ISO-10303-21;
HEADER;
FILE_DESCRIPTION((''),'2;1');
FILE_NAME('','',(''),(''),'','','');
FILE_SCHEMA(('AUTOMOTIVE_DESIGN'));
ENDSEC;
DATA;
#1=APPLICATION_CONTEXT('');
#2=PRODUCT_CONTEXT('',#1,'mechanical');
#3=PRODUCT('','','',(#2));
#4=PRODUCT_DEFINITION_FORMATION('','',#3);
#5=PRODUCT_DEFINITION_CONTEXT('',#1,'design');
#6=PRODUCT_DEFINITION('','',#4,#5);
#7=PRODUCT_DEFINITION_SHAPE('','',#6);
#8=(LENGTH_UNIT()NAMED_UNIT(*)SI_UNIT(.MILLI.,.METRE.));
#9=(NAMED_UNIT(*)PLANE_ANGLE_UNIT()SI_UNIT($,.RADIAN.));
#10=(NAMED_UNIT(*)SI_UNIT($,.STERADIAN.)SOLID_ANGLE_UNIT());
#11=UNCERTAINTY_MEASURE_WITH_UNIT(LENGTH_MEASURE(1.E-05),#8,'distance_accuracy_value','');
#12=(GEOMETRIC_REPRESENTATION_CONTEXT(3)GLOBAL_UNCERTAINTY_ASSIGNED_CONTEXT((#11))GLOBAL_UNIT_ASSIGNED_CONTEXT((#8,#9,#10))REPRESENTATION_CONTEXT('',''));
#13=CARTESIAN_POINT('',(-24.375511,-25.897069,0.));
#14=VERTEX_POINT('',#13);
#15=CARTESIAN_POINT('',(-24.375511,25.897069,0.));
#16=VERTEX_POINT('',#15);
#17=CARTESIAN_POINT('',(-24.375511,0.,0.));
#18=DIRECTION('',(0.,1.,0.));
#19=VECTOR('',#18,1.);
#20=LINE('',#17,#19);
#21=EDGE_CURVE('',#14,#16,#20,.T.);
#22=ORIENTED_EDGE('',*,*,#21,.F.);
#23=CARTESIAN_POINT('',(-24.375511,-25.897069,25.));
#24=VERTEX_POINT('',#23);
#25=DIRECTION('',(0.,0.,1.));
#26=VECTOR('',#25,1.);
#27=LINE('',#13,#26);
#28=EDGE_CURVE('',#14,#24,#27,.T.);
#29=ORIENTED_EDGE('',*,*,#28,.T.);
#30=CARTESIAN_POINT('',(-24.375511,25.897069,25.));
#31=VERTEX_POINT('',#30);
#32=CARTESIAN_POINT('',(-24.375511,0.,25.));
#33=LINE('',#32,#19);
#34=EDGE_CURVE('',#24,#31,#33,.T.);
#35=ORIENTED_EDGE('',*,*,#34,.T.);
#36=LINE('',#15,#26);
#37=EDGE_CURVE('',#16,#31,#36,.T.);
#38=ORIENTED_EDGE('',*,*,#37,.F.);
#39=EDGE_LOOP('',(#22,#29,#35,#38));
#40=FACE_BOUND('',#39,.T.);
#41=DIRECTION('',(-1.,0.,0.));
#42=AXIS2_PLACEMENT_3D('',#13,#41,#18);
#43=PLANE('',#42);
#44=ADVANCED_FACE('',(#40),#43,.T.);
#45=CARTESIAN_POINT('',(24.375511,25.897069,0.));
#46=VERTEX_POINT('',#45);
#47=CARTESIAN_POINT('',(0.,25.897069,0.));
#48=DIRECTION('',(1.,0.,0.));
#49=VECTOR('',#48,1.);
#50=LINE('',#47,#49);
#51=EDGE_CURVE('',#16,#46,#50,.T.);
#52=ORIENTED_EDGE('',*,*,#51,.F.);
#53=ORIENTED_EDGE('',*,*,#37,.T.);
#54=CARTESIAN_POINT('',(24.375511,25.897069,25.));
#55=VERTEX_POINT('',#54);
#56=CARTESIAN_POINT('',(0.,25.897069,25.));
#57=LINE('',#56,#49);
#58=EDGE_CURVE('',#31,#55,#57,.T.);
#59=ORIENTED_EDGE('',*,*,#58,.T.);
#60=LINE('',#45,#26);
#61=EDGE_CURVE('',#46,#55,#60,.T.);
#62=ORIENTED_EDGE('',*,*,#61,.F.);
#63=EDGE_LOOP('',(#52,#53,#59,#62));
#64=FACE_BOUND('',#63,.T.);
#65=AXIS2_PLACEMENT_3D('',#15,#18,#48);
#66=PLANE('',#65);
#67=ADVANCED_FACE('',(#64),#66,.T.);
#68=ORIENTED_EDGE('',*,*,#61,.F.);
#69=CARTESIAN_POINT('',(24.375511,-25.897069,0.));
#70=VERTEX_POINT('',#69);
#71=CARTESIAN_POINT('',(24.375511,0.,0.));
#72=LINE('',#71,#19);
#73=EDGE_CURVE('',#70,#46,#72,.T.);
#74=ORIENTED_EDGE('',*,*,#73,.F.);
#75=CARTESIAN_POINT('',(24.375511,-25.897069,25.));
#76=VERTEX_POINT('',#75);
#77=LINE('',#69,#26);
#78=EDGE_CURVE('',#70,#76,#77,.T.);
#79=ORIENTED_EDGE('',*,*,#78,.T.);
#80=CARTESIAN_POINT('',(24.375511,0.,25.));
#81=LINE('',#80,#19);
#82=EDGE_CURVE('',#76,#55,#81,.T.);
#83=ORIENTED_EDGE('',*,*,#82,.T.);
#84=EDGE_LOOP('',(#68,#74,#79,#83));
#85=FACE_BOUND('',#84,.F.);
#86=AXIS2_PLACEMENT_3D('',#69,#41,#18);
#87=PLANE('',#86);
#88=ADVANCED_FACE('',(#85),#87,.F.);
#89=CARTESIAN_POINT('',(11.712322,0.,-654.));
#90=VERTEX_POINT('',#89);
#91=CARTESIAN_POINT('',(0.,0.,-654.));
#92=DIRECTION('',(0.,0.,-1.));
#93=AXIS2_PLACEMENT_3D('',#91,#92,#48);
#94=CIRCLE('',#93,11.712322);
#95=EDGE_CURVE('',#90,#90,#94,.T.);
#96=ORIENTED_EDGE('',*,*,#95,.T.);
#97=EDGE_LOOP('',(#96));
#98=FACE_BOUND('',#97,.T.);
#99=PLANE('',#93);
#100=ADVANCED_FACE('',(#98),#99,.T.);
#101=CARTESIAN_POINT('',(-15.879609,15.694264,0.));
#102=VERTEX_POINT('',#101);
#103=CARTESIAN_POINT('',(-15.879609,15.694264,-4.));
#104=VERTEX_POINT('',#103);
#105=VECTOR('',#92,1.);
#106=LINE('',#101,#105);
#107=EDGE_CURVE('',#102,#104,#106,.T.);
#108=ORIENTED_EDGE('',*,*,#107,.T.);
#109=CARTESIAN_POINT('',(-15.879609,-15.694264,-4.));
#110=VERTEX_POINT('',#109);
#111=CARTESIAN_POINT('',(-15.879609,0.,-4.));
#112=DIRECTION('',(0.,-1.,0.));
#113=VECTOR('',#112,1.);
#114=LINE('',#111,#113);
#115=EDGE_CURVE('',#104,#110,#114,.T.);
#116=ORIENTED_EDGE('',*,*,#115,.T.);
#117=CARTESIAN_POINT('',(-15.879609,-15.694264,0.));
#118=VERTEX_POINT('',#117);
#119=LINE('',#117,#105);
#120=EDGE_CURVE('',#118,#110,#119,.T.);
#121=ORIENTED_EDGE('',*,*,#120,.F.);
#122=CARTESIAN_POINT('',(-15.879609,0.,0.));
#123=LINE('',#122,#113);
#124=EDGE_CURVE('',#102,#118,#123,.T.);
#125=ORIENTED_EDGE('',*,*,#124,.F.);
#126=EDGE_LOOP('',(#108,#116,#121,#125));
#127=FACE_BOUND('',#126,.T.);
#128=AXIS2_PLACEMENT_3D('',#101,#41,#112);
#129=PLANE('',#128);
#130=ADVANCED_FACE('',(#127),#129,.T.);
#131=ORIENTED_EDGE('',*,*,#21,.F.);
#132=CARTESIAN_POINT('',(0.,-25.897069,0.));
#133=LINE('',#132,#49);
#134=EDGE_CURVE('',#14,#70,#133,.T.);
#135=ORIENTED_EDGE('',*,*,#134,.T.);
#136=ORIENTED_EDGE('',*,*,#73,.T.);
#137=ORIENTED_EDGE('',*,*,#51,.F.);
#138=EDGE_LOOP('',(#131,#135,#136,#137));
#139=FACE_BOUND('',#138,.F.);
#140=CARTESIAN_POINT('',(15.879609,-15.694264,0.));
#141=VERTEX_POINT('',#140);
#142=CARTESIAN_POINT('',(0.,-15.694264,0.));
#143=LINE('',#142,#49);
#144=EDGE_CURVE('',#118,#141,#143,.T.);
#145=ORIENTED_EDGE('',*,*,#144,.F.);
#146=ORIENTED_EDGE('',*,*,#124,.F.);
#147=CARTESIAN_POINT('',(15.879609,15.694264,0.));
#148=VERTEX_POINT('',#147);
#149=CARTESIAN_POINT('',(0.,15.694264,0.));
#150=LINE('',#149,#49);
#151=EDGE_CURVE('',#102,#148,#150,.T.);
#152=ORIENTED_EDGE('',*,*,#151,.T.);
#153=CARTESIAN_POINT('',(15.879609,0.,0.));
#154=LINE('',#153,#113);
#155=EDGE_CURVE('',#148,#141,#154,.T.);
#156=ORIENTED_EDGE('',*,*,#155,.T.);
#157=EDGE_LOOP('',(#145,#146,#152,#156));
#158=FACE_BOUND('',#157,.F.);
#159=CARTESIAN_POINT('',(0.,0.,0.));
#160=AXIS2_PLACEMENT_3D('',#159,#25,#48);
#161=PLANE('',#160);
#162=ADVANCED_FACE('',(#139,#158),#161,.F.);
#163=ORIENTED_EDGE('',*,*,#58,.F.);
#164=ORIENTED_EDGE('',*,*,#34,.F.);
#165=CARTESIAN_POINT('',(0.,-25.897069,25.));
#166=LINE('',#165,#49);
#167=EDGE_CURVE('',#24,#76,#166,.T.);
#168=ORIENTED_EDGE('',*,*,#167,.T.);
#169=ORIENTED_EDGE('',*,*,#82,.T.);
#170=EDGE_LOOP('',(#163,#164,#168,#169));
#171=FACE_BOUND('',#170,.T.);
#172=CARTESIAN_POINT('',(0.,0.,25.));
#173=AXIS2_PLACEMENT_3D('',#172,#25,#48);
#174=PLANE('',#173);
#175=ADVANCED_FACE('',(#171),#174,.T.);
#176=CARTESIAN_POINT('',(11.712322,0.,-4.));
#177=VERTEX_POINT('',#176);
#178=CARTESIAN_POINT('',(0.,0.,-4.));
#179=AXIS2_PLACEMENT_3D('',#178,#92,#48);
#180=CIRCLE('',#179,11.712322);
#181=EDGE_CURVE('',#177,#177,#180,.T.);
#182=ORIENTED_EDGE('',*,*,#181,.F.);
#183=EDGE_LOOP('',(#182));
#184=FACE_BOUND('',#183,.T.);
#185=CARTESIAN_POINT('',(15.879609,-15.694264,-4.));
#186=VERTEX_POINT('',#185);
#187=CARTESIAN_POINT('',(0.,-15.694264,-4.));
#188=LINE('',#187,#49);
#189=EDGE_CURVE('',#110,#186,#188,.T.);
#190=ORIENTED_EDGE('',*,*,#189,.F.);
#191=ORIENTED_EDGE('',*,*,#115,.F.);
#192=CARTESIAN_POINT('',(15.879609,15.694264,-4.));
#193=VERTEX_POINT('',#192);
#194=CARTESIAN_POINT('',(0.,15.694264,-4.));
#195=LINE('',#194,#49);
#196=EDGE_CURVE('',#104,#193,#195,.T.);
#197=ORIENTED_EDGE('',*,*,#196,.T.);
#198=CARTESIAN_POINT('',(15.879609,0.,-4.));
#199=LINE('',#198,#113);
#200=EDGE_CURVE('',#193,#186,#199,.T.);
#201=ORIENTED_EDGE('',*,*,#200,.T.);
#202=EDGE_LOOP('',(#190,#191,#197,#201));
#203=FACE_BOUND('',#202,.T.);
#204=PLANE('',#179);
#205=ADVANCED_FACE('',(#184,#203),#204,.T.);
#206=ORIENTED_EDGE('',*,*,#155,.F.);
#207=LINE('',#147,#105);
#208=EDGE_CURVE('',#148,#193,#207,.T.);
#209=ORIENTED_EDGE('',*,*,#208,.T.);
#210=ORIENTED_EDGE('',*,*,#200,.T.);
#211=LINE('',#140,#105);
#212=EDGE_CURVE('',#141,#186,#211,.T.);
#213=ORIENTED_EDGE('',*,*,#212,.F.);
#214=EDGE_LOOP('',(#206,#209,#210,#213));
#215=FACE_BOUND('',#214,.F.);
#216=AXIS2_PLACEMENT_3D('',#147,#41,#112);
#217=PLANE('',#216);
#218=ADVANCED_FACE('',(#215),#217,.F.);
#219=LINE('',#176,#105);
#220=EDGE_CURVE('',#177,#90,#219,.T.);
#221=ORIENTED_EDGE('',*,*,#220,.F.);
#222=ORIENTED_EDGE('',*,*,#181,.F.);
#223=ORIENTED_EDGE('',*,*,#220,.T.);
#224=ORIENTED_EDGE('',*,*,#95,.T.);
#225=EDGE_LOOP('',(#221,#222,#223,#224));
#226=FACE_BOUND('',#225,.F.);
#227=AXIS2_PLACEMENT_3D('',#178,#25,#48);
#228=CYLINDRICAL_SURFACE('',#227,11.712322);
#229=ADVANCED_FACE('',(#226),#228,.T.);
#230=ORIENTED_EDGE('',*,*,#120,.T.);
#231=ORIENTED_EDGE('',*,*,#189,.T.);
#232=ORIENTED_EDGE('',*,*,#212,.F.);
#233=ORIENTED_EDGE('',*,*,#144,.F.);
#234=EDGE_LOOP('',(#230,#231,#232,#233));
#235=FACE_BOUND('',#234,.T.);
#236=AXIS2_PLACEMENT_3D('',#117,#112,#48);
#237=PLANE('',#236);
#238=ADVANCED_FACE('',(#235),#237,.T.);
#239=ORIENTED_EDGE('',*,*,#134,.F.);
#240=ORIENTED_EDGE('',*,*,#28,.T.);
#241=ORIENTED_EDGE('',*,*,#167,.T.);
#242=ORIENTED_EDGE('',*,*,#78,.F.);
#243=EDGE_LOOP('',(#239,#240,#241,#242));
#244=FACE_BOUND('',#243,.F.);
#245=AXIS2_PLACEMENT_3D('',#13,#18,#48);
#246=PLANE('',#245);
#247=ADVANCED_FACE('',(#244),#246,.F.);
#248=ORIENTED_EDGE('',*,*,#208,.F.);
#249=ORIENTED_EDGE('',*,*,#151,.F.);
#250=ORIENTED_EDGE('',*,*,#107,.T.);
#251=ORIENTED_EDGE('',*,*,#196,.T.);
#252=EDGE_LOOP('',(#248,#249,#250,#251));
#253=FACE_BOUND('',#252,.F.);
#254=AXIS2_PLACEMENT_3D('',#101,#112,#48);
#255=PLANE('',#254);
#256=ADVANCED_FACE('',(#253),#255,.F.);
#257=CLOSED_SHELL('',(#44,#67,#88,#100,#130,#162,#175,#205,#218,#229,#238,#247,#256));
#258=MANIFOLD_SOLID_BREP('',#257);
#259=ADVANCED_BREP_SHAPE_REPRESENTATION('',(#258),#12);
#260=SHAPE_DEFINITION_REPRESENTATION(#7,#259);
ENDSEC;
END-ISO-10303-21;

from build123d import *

# Parameters (mm, degrees)
F0_W     = 48.751022
F0_H     = 51.794138
F1_DEPTH = 25
F2_W     = 31.759218
F2_H     = 31.388528
F3_DEPTH = 4
F4_R     = 11.712322
F5_DEPTH = 650


with BuildPart() as f1:
    # F0 (on Top) → F1 (new body)
    with BuildSketch(Plane.XY):
        Rectangle(F0_W, F0_H)
    extrude(amount=F1_DEPTH)

    # F2 (on face) → F3 (join)
    with BuildSketch(Plane(origin=(0, 0, 0), x_dir=(1, 0, 0), z_dir=(0, 0, -1))):
        Rectangle(F2_W, F2_H)
    extrude(amount=F3_DEPTH)

    # F4 (on face) → F5 (join)
    with BuildSketch(Plane(origin=(0, 0, -4), x_dir=(1, 0, 0), z_dir=(0, 0, -1))):
        Circle(F4_R)
    extrude(amount=F5_DEPTH)


solid = f1.part
